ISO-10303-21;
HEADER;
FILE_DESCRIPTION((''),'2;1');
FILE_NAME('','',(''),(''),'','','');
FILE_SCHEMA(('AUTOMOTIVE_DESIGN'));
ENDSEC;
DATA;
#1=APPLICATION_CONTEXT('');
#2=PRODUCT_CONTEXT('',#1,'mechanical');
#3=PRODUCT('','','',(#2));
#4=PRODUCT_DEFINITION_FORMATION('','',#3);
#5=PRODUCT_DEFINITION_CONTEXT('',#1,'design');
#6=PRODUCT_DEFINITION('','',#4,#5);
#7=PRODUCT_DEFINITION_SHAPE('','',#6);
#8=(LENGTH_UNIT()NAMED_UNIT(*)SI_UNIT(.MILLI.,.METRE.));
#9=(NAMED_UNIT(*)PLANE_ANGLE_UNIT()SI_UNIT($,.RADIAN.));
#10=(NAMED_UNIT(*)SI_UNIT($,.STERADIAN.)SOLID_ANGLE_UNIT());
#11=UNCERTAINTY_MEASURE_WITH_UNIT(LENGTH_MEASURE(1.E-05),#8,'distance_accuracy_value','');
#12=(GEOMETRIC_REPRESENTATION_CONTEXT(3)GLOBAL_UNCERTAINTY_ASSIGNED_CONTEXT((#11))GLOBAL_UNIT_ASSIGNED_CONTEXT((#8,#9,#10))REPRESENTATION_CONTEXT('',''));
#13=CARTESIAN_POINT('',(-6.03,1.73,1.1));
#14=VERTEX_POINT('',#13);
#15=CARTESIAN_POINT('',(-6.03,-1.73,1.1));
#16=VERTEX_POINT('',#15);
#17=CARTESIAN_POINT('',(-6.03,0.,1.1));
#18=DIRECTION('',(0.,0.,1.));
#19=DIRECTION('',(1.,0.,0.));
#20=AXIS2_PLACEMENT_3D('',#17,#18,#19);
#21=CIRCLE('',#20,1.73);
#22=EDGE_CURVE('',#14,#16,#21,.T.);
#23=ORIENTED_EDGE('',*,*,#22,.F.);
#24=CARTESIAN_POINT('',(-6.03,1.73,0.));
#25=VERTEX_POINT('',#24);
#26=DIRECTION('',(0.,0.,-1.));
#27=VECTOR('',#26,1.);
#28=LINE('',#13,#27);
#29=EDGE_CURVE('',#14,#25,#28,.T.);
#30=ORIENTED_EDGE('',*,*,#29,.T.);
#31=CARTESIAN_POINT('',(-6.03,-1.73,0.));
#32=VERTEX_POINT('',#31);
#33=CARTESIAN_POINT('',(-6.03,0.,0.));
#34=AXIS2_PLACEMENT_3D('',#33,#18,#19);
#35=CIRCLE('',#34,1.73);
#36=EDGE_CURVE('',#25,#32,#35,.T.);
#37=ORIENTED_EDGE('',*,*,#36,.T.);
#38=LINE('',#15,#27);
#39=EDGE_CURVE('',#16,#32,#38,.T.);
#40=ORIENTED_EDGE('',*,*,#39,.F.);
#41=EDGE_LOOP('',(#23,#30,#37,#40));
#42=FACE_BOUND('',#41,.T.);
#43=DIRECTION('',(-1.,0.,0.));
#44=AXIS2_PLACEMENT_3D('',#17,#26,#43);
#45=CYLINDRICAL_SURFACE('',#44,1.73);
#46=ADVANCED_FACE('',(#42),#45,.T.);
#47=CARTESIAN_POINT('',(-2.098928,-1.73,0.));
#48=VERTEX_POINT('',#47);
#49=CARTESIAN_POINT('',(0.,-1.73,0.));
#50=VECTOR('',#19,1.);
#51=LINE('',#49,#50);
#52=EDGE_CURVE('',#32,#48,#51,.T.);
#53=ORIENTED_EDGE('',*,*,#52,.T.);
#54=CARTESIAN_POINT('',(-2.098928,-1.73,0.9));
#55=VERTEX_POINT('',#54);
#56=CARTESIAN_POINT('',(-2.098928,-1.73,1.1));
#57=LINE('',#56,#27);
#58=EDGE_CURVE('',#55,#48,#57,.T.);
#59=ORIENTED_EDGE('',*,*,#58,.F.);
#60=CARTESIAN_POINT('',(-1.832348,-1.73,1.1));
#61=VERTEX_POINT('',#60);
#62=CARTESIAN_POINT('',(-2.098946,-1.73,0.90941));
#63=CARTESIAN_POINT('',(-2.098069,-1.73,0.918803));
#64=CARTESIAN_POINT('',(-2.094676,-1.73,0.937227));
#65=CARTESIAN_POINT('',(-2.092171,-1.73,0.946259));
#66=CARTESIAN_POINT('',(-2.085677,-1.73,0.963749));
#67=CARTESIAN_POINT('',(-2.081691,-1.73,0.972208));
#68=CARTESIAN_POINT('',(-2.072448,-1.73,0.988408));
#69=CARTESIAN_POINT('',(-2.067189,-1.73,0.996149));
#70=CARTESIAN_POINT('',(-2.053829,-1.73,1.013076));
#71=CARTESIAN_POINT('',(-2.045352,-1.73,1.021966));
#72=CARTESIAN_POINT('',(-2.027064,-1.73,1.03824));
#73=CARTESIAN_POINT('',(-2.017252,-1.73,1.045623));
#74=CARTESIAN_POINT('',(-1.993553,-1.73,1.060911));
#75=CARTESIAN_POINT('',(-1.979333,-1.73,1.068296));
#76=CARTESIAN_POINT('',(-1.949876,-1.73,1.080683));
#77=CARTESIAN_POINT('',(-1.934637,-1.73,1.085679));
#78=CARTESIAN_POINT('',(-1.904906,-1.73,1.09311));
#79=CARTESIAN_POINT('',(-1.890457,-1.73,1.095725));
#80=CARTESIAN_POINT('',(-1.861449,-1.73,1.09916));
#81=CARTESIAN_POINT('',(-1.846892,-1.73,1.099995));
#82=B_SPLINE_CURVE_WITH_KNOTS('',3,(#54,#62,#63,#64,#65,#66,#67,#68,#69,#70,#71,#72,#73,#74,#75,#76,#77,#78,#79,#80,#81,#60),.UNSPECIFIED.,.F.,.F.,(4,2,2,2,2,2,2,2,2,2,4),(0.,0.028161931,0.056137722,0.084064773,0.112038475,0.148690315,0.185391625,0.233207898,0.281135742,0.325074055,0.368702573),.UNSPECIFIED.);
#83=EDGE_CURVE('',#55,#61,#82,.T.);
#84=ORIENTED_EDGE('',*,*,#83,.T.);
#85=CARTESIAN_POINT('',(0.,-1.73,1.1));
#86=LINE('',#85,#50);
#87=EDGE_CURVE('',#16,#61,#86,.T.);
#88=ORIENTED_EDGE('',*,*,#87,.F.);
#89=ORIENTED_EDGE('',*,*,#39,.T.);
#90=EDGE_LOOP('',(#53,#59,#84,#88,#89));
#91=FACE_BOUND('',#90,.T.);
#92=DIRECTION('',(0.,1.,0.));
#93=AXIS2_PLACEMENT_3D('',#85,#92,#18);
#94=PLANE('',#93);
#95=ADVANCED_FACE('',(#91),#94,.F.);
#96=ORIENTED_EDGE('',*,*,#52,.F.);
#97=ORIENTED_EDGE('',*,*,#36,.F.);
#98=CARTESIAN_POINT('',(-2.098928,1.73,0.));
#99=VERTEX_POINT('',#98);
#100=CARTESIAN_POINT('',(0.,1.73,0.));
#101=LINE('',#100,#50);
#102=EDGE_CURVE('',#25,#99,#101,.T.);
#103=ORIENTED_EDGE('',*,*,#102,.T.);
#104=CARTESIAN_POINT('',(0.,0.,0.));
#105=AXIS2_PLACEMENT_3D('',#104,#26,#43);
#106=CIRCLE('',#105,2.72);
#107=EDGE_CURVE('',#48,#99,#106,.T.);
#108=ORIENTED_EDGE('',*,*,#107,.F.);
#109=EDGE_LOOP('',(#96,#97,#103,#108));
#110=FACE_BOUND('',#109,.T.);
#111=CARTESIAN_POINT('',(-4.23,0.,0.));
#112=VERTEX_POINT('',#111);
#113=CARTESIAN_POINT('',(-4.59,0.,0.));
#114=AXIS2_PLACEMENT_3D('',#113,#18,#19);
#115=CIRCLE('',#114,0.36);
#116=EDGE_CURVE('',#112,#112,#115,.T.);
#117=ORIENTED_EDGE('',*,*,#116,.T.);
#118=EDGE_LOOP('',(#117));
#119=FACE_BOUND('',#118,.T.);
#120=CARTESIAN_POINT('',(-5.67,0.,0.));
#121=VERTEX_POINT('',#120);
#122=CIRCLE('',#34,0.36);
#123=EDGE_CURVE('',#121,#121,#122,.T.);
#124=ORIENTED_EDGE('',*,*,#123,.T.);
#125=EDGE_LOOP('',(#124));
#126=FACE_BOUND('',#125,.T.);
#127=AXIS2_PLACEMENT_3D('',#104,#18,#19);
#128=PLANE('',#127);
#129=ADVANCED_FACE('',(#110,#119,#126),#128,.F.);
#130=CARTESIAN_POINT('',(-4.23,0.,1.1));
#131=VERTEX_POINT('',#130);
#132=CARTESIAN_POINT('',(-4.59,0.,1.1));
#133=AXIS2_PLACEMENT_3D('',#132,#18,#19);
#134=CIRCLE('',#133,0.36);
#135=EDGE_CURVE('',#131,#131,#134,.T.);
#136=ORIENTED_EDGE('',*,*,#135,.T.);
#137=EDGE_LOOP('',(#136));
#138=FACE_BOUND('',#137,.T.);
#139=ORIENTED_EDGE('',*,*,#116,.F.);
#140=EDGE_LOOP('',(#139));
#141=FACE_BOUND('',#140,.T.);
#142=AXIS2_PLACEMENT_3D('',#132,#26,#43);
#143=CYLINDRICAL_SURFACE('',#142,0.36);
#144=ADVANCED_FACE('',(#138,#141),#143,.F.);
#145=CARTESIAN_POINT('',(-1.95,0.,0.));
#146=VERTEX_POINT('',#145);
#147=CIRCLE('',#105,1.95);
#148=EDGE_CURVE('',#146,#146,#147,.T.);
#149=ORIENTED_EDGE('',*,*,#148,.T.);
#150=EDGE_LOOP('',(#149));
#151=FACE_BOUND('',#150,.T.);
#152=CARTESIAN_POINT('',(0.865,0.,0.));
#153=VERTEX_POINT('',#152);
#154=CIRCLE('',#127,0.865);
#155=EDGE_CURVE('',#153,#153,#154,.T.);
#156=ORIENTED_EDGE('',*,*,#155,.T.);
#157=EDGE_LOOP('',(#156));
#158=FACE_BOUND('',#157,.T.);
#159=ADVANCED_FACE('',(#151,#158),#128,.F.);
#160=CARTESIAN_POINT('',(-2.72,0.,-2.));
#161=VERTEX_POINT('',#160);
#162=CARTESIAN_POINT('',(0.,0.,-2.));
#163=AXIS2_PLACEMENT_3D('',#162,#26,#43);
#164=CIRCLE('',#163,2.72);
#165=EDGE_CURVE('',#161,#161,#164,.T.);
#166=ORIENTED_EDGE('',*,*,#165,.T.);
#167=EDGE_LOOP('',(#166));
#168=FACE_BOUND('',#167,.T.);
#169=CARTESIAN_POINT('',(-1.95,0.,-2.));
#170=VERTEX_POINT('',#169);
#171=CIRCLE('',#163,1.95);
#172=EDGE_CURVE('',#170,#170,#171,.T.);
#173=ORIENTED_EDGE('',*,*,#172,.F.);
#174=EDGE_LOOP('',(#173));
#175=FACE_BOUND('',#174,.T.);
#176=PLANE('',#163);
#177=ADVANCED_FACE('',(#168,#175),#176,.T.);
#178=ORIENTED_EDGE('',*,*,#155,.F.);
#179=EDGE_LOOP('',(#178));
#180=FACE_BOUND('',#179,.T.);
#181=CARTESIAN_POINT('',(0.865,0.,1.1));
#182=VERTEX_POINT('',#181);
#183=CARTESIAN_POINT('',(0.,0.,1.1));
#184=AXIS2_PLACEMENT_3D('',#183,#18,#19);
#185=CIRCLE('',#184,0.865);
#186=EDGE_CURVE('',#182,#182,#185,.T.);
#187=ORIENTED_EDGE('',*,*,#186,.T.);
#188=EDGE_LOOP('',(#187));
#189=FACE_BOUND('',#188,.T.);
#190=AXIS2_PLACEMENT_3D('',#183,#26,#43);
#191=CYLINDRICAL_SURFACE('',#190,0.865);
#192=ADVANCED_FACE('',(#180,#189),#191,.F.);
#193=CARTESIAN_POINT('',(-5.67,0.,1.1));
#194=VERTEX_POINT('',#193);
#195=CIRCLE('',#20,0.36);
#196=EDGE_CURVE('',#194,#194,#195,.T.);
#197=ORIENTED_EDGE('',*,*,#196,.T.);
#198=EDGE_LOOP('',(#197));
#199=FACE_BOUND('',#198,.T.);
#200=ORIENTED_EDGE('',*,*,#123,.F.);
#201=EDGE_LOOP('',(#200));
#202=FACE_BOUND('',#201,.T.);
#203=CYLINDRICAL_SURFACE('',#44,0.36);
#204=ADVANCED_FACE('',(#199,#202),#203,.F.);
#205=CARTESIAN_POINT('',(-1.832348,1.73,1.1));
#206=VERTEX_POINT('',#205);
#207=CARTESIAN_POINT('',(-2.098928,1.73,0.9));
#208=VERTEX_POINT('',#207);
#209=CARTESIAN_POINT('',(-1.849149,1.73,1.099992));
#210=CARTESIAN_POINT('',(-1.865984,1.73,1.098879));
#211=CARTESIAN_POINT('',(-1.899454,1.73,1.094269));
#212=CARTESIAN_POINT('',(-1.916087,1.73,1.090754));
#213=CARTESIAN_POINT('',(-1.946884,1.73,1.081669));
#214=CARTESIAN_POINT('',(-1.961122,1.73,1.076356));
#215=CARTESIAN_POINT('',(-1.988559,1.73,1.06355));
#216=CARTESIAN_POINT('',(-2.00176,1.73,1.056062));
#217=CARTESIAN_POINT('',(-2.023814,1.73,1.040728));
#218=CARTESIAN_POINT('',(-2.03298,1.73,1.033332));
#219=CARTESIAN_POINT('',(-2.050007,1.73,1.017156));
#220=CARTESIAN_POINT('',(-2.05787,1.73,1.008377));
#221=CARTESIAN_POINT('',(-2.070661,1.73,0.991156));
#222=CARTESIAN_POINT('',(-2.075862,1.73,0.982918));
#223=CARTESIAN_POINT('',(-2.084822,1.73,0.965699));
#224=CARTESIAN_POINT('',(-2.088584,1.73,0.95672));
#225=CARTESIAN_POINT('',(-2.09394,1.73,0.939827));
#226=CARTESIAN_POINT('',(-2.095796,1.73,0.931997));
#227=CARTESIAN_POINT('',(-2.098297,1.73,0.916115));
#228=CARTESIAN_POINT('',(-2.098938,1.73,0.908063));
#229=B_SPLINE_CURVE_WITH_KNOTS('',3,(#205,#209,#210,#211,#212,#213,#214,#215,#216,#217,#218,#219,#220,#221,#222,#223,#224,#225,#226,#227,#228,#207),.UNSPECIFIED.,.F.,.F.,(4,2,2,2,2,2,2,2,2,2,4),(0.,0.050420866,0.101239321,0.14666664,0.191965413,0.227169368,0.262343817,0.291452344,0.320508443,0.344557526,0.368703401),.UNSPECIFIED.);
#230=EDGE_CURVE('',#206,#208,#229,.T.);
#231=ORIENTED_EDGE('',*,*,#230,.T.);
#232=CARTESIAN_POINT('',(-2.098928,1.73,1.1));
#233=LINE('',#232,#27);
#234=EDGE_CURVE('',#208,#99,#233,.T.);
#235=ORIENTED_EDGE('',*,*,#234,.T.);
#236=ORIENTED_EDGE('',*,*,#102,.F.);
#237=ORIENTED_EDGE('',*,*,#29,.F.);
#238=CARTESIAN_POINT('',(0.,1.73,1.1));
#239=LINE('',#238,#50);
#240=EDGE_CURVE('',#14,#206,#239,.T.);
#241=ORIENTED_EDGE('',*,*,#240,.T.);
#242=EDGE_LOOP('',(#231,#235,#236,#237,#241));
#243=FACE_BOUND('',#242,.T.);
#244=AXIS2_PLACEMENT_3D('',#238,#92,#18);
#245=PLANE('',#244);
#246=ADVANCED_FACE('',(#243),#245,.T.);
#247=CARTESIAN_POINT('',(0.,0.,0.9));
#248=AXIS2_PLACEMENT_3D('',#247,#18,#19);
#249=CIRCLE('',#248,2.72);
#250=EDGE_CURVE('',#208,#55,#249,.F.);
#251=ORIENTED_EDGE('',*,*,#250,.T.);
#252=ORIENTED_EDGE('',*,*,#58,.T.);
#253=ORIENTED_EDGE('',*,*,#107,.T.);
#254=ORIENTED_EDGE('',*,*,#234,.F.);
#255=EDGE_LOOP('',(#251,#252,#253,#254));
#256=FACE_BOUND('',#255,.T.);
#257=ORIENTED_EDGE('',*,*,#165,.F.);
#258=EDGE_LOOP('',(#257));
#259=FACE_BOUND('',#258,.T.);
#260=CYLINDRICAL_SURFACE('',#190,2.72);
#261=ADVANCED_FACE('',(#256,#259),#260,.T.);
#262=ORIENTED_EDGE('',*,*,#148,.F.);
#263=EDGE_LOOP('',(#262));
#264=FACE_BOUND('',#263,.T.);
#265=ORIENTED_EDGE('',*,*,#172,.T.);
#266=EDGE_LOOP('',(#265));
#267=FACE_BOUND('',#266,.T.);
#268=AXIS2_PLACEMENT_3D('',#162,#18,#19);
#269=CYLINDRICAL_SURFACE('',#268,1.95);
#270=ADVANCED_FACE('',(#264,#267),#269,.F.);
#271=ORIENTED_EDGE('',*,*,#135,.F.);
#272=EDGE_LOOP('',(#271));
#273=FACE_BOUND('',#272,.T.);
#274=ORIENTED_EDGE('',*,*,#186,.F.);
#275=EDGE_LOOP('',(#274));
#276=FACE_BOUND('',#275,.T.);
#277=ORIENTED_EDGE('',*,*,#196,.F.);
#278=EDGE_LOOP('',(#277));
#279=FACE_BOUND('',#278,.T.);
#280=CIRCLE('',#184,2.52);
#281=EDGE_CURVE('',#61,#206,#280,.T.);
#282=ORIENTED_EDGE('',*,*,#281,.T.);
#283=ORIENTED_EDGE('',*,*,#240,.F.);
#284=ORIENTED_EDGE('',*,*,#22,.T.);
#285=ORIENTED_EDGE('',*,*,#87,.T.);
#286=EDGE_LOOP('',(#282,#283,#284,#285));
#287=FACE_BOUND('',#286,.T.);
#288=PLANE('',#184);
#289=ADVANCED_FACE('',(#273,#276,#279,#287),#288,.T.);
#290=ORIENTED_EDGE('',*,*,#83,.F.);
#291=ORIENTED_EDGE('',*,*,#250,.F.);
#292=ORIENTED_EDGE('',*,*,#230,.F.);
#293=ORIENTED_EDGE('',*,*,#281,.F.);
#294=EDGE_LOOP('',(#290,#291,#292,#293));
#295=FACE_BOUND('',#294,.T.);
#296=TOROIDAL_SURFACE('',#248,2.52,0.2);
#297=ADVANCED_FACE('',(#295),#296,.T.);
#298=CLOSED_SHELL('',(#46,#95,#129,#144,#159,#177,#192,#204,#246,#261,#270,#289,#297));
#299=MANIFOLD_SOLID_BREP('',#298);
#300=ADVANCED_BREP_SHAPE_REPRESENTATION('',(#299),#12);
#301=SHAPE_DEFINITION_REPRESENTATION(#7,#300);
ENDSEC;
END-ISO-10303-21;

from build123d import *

# Parameters (mm, degrees)
SKETCH_1_R      = 0.36
SKETCH_1_R_2    = 0.865
EXTRUDE_1_DEPTH = 1.1
EXTRUDE_START   = 2
SKETCH_2_R      = 2.7200000000000006
SKETCH_2_R_2    = 1.95
EXTRUDE_2_DEPTH = 2
FILLET_1_R      = 0.2


with BuildPart() as part:
    # 草图1 → 凸台-拉伸1 (new body)
    # profile 1 of 3: a face of its own
    with BuildSketch(Plane.XY):
        with BuildLine():
            Line((-2.0989282979654043, 1.7299999999999998), (-6.029999999999999, 1.7299999999999998))
            ThreePointArc((-6.029999999999999, 1.7299999999999995), (-7.759999999999999, -1.2e-16), (-6.029999999999999, -1.73))
            Line((-6.029999999999999, -1.7299999999999998), (-2.098928297965404, -1.7299999999999998))
            ThreePointArc((-2.0989282979654083, -1.7300000000000109), (-2.7200000000000006, 3.3e-16), (-2.098928297965408, 1.7300000000000115))
        make_face()
        with Locations((-6.029999999999999, 0)):
            Circle(SKETCH_1_R, mode=Mode.SUBTRACT)
        with Locations((-4.590000000000001, 0)):
            Circle(SKETCH_1_R, mode=Mode.SUBTRACT)
    # profile 2 of 3: a face of its own
    with BuildSketch(Plane.XY):
        with BuildLine():
            Line((0, 1.7299999999999998), (-2.0989282979654043, 1.7299999999999998))
            ThreePointArc((-2.098928297965408, 1.7300000000000115), (-2.7200000000000006, 3.3e-16), (-2.0989282979654083, -1.7300000000000109))
            Line((-2.098928297965404, -1.7299999999999998), (0, -1.7299999999999998))
            ThreePointArc((0, -1.7299999999999995), (1.7299999999999998, 1e-17), (2.1e-16, 1.73))
        make_face()
        Circle(SKETCH_1_R_2, mode=Mode.SUBTRACT)
    # profile 3 of 3: a face of its own
    with BuildSketch(Plane.XY):
        with BuildLine():
            ThreePointArc((2.7200000000000006, 0), (0.9190525092545292, 2.5600278289958016), (-2.098928297965408, 1.7300000000000115))
            Line((-2.0989282979654043, 1.7299999999999998), (0, 1.7299999999999998))
            ThreePointArc((2.1e-16, 1.73), (1.7299999999999998, 1e-17), (0, -1.7299999999999995))
            Line((0, -1.7299999999999998), (-2.098928297965404, -1.7299999999999998))
            ThreePointArc((-2.0989282979654083, -1.7300000000000109), (0.9190525092545296, -2.5600278289958016), (2.7200000000000006, -6.7e-16))
        make_face()
    extrude(amount=EXTRUDE_1_DEPTH)

    # 草图2 → 凸台-拉伸2 (add)
    with BuildSketch(Plane(origin=(0, 0, 0), x_dir=(-1, 0, 0), z_dir=(0, 0, -1)).offset(EXTRUDE_START)):
        Circle(SKETCH_2_R)
        Circle(SKETCH_2_R_2, mode=Mode.SUBTRACT)
    extrude(amount=-EXTRUDE_2_DEPTH)

    # 圆角1
    fillet_1_edges = [part.edges().sort_by_distance(p)[0] for p in [
        (2.7200000000000015, 1e-15, 1.1),
    ]]
    fillet(fillet_1_edges, radius=FILLET_1_R)


solid = part.part
